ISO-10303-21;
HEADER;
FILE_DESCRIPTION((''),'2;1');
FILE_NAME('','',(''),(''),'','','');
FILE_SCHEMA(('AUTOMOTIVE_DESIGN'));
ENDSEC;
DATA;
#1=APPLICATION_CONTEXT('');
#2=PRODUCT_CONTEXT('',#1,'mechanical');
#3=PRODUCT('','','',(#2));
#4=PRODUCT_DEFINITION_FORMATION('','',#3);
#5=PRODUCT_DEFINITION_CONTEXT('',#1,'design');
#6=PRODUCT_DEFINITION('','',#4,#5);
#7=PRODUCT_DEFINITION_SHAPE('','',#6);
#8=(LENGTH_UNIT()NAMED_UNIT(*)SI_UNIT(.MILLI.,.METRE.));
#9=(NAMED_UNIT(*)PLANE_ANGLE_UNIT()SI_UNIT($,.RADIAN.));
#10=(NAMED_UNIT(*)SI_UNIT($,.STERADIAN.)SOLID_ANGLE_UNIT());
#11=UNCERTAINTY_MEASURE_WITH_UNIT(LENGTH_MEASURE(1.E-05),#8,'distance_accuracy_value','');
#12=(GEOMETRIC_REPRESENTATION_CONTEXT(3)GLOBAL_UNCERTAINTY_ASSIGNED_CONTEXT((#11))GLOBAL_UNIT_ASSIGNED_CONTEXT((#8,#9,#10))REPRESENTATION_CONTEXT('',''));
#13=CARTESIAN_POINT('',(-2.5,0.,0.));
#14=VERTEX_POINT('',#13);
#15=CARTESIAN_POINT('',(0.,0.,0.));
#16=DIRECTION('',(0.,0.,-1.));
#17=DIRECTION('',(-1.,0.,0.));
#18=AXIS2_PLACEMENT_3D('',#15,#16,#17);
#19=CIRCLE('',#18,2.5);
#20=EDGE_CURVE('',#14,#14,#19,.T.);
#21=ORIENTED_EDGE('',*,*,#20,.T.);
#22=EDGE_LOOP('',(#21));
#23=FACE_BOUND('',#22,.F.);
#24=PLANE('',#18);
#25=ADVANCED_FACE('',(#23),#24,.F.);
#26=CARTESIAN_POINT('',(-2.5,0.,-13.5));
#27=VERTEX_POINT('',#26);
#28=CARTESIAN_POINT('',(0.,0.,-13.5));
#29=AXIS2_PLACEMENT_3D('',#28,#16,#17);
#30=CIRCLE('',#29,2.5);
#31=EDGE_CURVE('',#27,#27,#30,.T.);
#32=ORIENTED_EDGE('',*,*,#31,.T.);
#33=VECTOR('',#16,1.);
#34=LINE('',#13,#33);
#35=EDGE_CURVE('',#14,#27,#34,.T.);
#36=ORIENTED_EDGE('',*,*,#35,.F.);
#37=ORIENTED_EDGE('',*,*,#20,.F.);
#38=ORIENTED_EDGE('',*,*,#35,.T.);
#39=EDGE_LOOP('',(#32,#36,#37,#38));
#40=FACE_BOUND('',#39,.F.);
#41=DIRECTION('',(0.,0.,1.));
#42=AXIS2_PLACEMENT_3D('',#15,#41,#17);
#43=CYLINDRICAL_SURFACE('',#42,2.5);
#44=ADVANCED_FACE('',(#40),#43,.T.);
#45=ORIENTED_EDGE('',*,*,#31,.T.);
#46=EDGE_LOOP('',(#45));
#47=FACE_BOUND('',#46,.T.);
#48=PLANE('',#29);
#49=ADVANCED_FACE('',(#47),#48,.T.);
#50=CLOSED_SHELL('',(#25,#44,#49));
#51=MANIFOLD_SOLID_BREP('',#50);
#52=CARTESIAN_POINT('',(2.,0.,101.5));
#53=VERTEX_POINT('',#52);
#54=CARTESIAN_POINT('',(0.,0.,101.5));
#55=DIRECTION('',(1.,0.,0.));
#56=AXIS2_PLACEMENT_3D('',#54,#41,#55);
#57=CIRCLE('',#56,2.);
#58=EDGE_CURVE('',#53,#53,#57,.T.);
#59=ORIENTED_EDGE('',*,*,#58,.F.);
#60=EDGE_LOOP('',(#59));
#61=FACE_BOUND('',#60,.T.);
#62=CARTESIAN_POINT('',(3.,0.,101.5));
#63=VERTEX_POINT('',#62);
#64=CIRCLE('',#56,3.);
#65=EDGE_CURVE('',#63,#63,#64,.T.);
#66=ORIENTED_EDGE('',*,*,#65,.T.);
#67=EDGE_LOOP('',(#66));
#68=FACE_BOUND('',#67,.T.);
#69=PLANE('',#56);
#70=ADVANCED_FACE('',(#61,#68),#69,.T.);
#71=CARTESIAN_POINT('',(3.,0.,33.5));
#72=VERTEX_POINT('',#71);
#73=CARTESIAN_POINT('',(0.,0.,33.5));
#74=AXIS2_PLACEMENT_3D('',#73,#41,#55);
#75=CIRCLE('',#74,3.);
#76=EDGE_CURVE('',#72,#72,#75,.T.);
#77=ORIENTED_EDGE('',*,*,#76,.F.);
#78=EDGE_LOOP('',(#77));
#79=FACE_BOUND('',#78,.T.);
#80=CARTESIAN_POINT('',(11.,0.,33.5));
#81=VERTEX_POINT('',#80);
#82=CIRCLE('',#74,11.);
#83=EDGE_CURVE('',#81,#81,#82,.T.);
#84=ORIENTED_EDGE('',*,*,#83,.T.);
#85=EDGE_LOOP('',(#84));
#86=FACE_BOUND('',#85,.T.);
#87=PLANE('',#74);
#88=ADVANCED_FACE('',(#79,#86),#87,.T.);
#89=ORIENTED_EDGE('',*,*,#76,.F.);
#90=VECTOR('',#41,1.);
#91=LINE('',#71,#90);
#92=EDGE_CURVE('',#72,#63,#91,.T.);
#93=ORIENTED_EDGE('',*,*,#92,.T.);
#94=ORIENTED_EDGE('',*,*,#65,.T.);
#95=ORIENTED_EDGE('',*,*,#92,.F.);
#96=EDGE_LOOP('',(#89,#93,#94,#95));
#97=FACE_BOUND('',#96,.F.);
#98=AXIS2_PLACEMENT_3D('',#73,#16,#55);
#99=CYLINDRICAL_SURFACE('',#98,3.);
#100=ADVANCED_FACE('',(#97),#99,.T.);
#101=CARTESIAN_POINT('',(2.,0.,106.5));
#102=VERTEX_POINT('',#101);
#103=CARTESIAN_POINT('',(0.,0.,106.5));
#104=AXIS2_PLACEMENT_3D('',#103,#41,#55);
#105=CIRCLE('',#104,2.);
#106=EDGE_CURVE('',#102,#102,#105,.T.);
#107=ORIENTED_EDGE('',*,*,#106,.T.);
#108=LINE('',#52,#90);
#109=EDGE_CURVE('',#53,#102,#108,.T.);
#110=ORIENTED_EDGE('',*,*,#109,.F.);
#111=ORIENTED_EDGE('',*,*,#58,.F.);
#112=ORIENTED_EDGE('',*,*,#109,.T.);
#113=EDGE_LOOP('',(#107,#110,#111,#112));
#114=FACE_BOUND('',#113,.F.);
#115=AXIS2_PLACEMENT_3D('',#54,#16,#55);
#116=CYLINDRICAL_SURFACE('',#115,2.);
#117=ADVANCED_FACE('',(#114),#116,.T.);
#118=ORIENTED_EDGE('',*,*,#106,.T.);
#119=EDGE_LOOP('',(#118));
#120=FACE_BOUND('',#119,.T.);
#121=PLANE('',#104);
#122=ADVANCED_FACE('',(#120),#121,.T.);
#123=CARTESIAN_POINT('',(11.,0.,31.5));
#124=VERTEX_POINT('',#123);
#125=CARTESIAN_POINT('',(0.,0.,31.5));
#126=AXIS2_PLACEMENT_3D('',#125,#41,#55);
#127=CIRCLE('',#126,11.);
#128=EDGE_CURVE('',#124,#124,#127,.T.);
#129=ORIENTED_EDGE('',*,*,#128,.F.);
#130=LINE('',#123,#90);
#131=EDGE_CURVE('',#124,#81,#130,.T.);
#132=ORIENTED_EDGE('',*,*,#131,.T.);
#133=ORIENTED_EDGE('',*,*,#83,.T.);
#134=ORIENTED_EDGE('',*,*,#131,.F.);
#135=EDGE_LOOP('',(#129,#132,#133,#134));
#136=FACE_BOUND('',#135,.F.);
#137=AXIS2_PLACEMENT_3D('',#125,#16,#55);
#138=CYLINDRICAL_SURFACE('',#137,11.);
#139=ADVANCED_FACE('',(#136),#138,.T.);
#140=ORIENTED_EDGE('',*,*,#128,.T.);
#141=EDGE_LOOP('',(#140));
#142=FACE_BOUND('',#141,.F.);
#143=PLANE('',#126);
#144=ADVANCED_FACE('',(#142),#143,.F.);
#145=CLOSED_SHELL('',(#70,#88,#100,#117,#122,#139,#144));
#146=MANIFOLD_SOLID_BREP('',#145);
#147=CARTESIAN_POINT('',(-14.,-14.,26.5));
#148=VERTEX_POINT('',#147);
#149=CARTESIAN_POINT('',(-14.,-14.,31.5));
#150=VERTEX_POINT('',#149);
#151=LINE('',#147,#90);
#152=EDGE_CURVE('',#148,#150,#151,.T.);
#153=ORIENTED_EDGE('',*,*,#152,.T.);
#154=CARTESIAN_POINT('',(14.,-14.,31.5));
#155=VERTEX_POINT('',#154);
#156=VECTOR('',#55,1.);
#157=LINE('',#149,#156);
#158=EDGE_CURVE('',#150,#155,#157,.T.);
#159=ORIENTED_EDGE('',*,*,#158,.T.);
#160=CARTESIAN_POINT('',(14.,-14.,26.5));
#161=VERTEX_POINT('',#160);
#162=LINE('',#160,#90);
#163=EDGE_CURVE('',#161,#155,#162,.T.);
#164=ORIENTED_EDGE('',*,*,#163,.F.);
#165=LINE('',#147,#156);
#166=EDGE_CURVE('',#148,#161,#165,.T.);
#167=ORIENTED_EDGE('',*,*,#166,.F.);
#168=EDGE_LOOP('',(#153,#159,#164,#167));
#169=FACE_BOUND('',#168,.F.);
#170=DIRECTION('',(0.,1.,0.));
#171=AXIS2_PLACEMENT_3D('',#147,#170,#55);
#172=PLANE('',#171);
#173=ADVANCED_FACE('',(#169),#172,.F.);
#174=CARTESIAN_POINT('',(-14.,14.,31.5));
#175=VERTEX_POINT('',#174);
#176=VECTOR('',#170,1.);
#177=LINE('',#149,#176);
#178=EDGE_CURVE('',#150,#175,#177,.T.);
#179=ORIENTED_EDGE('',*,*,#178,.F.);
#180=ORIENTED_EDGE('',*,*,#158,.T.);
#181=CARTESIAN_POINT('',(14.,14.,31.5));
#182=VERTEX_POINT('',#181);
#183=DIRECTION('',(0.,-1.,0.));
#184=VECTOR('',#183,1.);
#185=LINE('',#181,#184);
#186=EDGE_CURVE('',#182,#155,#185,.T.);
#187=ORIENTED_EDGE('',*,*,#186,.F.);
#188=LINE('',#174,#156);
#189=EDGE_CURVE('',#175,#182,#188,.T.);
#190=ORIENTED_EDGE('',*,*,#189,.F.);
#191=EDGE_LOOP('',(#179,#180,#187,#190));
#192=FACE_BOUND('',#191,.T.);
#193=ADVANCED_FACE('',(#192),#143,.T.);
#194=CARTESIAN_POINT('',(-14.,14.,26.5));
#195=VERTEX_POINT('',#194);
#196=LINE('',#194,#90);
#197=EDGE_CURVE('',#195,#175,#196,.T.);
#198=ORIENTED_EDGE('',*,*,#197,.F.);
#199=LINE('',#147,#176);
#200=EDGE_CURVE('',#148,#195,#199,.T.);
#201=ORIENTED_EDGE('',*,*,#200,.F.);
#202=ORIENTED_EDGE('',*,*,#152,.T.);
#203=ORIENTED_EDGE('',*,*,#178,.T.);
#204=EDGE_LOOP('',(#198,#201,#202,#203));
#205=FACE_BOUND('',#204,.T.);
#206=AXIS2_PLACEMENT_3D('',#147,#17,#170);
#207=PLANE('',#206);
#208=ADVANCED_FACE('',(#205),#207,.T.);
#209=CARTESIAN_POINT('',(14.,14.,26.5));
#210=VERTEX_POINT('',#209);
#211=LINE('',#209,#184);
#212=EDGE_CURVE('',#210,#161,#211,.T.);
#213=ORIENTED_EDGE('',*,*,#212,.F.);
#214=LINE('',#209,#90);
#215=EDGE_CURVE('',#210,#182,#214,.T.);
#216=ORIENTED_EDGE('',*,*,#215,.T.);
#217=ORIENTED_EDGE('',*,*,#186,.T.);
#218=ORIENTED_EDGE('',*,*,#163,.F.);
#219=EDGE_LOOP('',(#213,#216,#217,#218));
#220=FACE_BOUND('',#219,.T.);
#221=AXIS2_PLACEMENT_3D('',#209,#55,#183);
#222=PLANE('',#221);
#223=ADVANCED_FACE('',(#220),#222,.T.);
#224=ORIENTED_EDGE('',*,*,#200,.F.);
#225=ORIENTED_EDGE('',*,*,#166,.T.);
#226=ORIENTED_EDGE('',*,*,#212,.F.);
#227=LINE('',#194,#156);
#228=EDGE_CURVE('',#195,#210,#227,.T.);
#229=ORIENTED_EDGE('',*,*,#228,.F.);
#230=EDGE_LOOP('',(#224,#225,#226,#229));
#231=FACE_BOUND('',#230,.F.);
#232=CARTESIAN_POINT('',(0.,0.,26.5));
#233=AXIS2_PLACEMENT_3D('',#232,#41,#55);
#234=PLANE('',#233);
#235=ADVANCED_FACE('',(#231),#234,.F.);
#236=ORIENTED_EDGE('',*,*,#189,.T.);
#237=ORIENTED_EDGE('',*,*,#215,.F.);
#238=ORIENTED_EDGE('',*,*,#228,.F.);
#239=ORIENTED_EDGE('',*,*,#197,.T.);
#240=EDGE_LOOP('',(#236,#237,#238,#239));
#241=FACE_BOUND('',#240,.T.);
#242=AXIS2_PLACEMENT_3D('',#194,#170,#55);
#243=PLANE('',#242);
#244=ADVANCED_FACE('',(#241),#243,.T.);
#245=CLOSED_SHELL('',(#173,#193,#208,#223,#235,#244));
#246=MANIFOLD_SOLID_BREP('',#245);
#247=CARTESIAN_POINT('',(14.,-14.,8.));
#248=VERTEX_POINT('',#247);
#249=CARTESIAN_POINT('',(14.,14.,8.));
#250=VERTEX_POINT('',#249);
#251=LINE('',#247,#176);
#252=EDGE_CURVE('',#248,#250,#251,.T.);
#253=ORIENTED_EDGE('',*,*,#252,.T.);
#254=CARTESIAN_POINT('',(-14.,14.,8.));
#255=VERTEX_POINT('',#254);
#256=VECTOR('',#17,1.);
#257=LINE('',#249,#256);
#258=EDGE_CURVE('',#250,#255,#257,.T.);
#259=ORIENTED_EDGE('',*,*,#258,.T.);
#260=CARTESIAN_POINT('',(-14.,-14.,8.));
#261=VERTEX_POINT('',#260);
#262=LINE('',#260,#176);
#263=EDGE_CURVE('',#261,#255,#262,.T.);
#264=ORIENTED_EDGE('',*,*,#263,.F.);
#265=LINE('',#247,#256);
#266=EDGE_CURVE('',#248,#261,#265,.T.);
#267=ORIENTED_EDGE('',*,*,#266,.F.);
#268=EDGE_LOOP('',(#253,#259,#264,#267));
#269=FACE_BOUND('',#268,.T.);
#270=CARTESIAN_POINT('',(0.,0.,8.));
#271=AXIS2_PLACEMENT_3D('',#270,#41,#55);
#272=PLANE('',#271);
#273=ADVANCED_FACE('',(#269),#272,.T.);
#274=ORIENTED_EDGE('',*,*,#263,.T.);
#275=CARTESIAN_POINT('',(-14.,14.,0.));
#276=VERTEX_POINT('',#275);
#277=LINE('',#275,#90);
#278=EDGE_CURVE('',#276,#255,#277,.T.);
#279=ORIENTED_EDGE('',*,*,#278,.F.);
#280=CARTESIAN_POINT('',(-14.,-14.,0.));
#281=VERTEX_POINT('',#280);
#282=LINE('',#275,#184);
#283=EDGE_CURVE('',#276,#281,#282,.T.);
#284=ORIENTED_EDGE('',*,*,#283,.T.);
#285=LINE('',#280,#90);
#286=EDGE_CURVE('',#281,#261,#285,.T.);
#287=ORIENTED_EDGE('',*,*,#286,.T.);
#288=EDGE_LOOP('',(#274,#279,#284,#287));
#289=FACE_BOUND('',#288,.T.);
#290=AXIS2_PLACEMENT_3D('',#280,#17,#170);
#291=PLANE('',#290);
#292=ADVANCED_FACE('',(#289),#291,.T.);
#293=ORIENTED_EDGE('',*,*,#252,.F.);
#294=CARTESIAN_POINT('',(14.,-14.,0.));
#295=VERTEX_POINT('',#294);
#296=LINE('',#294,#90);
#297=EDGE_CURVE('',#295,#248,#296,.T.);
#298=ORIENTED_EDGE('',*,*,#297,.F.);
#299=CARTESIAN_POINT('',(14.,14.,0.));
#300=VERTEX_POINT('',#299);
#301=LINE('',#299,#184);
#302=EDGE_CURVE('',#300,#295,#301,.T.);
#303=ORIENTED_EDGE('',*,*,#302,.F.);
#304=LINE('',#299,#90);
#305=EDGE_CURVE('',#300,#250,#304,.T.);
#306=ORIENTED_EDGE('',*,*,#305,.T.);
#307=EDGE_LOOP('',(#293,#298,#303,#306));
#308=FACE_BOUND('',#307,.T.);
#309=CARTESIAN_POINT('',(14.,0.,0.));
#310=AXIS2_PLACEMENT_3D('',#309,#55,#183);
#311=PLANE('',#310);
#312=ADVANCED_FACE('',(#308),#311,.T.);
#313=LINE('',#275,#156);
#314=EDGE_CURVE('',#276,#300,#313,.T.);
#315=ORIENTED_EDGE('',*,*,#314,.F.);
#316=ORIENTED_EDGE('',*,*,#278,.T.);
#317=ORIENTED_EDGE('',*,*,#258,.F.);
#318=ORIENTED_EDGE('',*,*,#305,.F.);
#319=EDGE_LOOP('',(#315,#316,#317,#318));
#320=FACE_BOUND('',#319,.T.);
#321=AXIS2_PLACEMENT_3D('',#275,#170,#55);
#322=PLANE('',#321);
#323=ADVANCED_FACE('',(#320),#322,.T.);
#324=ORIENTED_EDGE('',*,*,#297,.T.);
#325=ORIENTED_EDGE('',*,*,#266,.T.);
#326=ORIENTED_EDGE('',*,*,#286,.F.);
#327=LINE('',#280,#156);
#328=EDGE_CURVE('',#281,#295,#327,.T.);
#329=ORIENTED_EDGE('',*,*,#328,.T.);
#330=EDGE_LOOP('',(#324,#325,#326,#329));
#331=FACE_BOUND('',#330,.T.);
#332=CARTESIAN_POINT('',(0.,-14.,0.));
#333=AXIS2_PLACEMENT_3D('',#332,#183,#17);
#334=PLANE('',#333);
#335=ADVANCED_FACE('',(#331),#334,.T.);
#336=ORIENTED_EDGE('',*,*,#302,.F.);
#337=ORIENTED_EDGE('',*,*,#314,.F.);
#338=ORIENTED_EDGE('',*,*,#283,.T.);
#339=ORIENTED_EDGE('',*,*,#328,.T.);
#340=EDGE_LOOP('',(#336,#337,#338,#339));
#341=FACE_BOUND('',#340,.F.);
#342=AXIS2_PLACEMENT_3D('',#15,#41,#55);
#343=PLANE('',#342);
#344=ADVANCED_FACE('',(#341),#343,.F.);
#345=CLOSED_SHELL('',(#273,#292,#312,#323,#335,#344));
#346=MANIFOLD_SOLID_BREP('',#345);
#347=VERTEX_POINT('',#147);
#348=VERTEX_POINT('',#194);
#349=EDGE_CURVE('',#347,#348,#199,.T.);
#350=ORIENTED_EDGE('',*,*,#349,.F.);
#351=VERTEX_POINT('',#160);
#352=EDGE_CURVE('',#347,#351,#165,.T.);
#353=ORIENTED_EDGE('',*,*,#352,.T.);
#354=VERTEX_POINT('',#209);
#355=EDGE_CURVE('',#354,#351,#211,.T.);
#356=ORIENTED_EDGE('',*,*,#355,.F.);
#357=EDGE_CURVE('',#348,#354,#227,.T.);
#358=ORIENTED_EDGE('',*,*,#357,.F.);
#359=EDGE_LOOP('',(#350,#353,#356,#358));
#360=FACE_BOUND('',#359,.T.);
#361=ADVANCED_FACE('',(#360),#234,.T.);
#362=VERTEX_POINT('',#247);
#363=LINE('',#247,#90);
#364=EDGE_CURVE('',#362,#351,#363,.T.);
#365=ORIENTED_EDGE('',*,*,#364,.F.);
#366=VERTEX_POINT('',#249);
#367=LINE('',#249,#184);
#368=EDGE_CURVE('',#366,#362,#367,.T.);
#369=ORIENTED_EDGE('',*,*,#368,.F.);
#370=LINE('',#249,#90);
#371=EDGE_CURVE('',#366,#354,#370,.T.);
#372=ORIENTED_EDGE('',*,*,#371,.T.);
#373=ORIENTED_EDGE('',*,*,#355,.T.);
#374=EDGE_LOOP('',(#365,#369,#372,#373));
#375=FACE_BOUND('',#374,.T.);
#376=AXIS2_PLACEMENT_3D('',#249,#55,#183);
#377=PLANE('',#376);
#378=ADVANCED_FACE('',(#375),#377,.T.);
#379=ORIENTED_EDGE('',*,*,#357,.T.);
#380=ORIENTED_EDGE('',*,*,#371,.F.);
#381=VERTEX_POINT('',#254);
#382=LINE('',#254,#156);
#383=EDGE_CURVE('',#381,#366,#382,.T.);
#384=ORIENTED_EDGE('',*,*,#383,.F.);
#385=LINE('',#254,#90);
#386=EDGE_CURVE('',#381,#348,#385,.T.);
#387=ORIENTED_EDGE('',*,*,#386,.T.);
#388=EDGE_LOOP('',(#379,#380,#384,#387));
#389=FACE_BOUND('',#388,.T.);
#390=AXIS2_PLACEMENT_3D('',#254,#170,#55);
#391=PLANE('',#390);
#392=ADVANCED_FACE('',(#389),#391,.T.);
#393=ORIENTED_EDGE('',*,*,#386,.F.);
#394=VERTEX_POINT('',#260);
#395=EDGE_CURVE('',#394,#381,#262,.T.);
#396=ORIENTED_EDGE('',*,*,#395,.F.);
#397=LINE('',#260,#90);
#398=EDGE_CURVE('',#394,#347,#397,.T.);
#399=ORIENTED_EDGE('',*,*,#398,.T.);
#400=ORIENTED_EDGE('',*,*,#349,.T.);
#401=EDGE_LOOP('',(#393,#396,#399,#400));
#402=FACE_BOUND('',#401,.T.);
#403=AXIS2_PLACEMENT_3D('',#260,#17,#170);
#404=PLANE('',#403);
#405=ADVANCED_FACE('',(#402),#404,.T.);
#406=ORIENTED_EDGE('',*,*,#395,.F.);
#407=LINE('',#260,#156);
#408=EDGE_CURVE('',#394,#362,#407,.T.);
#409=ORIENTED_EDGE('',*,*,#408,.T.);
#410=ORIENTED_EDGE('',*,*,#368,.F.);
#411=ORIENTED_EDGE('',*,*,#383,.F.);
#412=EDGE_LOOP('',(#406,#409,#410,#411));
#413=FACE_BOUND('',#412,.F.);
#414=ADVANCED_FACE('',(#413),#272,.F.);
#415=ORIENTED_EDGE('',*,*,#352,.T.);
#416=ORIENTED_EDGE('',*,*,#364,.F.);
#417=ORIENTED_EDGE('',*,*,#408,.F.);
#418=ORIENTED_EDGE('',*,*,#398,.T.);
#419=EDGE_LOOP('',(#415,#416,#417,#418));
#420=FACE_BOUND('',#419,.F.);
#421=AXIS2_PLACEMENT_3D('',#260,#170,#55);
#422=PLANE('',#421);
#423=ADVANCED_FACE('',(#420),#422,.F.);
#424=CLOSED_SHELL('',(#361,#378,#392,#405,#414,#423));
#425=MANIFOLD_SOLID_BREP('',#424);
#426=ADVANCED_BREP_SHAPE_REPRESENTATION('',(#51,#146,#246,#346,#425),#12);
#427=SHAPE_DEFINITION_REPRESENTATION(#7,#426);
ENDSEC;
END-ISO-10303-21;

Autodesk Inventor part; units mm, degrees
ref_plane "YZ Plane" through (0, 0, 0) normal (1, 0, 0) x (0, 1, 0)
ref_plane "XZ Plane" through (0, 0, 0) normal (0, 1, 0) x (-1, 0, 0)
ref_plane "XY Plane" through (0, 0, 0) normal (0, 0, 1) x (1, 0, 0)
sketch "Sketch1" plane through (0, 0, 0) normal (0, 0, 1) x (1, 0, 0)
  line L0 (0, -19.6) -> (0, 19.6) projected
  line L1 (-19.6, 0) -> (19.6, 0) projected
  line L2 (-14, 14) -> (14, 14)
  line L3 (14, 14) -> (14, -14)
  line L4 (14, -14) -> (-14, -14)
  line L5 (-14, -14) -> (-14, 14)
  line L6 (-14, 14) -> (14, -14) construction
  line L7 (14, 14) -> (-14, -14) construction
  point P0 (0, 0)
  dimension "d0" = 28
  dimension "d1" = 28
extrude "Extrusion1" add sketch "Sketch1" along normal blind 8
sketch "Sketch2" plane through (0, 0, 8) normal (0, 0, 1) x (1, 0, 0)
  line L0 (-14, -14) -> (14, -14) projected
  line L1 (-14, 14) -> (14, 14)
  line L2 (14, 14) -> (14, -14)
  line L3 (14, -14) -> (-14, -14)
  line L4 (-14, -14) -> (-14, 14)
  line L5 (-14, 14) -> (14, -14) construction
  line L6 (14, 14) -> (-14, -14) construction
  point P0 (0, 0)
extrude "Extrusion2" add sketch "Sketch2" along normal blind 18.5 separate body
sketch "Sketch3" plane through (0, 0, 26.5) normal (0, 0, 1) x (1, 0, 0)
  line L0 (-14, -14) -> (14, -14) projected
  line L1 (-14, 14) -> (14, 14)
  line L2 (14, 14) -> (14, -14)
  line L3 (14, -14) -> (-14, -14)
  line L4 (-14, -14) -> (-14, 14)
  line L5 (-14, 14) -> (14, -14) construction
  line L6 (14, 14) -> (-14, -14) construction
  point P0 (0, 0)
extrude "Extrusion3" add sketch "Sketch3" along normal blind 5 separate body
sketch "Sketch4" plane through (0, 0, 31.5) normal (0, 0, 1) x (1, 0, 0)
  circle A0 centre (0, 0) radius 11
  dimension "d8" = 22
extrude "Extrusion4" add sketch "Sketch4" along normal blind 2 separate body
sketch "Sketch6" plane through (0, 0, 0) normal (0, 0, -1) x (-1, 0, 0)
  circle A0 centre (0, 0) radius 2.5
  dimension "d14" = 5
extrude "Extrusion6" add sketch "Sketch6" along normal blind 13.5 separate body
sketch "Sketch7" plane through (0, 0, 33.5) normal (0, 0, 1) x (1, 0, 0)
  circle A0 centre (0, 0) radius 3
  dimension "d17" = 6
extrude "Extrusion7" add sketch "Sketch7" along normal blind 68 bodies 4
sketch "Sketch8" plane through (0, 0, 101.5) normal (0, 0, 1) x (1, 0, 0)
  circle A0 centre (0, 0) radius 2
  dimension "d20" = 4
extrude "Extrusion8" add sketch "Sketch8" along normal blind 5 bodies 4
properties part number "duzy_silnik"
